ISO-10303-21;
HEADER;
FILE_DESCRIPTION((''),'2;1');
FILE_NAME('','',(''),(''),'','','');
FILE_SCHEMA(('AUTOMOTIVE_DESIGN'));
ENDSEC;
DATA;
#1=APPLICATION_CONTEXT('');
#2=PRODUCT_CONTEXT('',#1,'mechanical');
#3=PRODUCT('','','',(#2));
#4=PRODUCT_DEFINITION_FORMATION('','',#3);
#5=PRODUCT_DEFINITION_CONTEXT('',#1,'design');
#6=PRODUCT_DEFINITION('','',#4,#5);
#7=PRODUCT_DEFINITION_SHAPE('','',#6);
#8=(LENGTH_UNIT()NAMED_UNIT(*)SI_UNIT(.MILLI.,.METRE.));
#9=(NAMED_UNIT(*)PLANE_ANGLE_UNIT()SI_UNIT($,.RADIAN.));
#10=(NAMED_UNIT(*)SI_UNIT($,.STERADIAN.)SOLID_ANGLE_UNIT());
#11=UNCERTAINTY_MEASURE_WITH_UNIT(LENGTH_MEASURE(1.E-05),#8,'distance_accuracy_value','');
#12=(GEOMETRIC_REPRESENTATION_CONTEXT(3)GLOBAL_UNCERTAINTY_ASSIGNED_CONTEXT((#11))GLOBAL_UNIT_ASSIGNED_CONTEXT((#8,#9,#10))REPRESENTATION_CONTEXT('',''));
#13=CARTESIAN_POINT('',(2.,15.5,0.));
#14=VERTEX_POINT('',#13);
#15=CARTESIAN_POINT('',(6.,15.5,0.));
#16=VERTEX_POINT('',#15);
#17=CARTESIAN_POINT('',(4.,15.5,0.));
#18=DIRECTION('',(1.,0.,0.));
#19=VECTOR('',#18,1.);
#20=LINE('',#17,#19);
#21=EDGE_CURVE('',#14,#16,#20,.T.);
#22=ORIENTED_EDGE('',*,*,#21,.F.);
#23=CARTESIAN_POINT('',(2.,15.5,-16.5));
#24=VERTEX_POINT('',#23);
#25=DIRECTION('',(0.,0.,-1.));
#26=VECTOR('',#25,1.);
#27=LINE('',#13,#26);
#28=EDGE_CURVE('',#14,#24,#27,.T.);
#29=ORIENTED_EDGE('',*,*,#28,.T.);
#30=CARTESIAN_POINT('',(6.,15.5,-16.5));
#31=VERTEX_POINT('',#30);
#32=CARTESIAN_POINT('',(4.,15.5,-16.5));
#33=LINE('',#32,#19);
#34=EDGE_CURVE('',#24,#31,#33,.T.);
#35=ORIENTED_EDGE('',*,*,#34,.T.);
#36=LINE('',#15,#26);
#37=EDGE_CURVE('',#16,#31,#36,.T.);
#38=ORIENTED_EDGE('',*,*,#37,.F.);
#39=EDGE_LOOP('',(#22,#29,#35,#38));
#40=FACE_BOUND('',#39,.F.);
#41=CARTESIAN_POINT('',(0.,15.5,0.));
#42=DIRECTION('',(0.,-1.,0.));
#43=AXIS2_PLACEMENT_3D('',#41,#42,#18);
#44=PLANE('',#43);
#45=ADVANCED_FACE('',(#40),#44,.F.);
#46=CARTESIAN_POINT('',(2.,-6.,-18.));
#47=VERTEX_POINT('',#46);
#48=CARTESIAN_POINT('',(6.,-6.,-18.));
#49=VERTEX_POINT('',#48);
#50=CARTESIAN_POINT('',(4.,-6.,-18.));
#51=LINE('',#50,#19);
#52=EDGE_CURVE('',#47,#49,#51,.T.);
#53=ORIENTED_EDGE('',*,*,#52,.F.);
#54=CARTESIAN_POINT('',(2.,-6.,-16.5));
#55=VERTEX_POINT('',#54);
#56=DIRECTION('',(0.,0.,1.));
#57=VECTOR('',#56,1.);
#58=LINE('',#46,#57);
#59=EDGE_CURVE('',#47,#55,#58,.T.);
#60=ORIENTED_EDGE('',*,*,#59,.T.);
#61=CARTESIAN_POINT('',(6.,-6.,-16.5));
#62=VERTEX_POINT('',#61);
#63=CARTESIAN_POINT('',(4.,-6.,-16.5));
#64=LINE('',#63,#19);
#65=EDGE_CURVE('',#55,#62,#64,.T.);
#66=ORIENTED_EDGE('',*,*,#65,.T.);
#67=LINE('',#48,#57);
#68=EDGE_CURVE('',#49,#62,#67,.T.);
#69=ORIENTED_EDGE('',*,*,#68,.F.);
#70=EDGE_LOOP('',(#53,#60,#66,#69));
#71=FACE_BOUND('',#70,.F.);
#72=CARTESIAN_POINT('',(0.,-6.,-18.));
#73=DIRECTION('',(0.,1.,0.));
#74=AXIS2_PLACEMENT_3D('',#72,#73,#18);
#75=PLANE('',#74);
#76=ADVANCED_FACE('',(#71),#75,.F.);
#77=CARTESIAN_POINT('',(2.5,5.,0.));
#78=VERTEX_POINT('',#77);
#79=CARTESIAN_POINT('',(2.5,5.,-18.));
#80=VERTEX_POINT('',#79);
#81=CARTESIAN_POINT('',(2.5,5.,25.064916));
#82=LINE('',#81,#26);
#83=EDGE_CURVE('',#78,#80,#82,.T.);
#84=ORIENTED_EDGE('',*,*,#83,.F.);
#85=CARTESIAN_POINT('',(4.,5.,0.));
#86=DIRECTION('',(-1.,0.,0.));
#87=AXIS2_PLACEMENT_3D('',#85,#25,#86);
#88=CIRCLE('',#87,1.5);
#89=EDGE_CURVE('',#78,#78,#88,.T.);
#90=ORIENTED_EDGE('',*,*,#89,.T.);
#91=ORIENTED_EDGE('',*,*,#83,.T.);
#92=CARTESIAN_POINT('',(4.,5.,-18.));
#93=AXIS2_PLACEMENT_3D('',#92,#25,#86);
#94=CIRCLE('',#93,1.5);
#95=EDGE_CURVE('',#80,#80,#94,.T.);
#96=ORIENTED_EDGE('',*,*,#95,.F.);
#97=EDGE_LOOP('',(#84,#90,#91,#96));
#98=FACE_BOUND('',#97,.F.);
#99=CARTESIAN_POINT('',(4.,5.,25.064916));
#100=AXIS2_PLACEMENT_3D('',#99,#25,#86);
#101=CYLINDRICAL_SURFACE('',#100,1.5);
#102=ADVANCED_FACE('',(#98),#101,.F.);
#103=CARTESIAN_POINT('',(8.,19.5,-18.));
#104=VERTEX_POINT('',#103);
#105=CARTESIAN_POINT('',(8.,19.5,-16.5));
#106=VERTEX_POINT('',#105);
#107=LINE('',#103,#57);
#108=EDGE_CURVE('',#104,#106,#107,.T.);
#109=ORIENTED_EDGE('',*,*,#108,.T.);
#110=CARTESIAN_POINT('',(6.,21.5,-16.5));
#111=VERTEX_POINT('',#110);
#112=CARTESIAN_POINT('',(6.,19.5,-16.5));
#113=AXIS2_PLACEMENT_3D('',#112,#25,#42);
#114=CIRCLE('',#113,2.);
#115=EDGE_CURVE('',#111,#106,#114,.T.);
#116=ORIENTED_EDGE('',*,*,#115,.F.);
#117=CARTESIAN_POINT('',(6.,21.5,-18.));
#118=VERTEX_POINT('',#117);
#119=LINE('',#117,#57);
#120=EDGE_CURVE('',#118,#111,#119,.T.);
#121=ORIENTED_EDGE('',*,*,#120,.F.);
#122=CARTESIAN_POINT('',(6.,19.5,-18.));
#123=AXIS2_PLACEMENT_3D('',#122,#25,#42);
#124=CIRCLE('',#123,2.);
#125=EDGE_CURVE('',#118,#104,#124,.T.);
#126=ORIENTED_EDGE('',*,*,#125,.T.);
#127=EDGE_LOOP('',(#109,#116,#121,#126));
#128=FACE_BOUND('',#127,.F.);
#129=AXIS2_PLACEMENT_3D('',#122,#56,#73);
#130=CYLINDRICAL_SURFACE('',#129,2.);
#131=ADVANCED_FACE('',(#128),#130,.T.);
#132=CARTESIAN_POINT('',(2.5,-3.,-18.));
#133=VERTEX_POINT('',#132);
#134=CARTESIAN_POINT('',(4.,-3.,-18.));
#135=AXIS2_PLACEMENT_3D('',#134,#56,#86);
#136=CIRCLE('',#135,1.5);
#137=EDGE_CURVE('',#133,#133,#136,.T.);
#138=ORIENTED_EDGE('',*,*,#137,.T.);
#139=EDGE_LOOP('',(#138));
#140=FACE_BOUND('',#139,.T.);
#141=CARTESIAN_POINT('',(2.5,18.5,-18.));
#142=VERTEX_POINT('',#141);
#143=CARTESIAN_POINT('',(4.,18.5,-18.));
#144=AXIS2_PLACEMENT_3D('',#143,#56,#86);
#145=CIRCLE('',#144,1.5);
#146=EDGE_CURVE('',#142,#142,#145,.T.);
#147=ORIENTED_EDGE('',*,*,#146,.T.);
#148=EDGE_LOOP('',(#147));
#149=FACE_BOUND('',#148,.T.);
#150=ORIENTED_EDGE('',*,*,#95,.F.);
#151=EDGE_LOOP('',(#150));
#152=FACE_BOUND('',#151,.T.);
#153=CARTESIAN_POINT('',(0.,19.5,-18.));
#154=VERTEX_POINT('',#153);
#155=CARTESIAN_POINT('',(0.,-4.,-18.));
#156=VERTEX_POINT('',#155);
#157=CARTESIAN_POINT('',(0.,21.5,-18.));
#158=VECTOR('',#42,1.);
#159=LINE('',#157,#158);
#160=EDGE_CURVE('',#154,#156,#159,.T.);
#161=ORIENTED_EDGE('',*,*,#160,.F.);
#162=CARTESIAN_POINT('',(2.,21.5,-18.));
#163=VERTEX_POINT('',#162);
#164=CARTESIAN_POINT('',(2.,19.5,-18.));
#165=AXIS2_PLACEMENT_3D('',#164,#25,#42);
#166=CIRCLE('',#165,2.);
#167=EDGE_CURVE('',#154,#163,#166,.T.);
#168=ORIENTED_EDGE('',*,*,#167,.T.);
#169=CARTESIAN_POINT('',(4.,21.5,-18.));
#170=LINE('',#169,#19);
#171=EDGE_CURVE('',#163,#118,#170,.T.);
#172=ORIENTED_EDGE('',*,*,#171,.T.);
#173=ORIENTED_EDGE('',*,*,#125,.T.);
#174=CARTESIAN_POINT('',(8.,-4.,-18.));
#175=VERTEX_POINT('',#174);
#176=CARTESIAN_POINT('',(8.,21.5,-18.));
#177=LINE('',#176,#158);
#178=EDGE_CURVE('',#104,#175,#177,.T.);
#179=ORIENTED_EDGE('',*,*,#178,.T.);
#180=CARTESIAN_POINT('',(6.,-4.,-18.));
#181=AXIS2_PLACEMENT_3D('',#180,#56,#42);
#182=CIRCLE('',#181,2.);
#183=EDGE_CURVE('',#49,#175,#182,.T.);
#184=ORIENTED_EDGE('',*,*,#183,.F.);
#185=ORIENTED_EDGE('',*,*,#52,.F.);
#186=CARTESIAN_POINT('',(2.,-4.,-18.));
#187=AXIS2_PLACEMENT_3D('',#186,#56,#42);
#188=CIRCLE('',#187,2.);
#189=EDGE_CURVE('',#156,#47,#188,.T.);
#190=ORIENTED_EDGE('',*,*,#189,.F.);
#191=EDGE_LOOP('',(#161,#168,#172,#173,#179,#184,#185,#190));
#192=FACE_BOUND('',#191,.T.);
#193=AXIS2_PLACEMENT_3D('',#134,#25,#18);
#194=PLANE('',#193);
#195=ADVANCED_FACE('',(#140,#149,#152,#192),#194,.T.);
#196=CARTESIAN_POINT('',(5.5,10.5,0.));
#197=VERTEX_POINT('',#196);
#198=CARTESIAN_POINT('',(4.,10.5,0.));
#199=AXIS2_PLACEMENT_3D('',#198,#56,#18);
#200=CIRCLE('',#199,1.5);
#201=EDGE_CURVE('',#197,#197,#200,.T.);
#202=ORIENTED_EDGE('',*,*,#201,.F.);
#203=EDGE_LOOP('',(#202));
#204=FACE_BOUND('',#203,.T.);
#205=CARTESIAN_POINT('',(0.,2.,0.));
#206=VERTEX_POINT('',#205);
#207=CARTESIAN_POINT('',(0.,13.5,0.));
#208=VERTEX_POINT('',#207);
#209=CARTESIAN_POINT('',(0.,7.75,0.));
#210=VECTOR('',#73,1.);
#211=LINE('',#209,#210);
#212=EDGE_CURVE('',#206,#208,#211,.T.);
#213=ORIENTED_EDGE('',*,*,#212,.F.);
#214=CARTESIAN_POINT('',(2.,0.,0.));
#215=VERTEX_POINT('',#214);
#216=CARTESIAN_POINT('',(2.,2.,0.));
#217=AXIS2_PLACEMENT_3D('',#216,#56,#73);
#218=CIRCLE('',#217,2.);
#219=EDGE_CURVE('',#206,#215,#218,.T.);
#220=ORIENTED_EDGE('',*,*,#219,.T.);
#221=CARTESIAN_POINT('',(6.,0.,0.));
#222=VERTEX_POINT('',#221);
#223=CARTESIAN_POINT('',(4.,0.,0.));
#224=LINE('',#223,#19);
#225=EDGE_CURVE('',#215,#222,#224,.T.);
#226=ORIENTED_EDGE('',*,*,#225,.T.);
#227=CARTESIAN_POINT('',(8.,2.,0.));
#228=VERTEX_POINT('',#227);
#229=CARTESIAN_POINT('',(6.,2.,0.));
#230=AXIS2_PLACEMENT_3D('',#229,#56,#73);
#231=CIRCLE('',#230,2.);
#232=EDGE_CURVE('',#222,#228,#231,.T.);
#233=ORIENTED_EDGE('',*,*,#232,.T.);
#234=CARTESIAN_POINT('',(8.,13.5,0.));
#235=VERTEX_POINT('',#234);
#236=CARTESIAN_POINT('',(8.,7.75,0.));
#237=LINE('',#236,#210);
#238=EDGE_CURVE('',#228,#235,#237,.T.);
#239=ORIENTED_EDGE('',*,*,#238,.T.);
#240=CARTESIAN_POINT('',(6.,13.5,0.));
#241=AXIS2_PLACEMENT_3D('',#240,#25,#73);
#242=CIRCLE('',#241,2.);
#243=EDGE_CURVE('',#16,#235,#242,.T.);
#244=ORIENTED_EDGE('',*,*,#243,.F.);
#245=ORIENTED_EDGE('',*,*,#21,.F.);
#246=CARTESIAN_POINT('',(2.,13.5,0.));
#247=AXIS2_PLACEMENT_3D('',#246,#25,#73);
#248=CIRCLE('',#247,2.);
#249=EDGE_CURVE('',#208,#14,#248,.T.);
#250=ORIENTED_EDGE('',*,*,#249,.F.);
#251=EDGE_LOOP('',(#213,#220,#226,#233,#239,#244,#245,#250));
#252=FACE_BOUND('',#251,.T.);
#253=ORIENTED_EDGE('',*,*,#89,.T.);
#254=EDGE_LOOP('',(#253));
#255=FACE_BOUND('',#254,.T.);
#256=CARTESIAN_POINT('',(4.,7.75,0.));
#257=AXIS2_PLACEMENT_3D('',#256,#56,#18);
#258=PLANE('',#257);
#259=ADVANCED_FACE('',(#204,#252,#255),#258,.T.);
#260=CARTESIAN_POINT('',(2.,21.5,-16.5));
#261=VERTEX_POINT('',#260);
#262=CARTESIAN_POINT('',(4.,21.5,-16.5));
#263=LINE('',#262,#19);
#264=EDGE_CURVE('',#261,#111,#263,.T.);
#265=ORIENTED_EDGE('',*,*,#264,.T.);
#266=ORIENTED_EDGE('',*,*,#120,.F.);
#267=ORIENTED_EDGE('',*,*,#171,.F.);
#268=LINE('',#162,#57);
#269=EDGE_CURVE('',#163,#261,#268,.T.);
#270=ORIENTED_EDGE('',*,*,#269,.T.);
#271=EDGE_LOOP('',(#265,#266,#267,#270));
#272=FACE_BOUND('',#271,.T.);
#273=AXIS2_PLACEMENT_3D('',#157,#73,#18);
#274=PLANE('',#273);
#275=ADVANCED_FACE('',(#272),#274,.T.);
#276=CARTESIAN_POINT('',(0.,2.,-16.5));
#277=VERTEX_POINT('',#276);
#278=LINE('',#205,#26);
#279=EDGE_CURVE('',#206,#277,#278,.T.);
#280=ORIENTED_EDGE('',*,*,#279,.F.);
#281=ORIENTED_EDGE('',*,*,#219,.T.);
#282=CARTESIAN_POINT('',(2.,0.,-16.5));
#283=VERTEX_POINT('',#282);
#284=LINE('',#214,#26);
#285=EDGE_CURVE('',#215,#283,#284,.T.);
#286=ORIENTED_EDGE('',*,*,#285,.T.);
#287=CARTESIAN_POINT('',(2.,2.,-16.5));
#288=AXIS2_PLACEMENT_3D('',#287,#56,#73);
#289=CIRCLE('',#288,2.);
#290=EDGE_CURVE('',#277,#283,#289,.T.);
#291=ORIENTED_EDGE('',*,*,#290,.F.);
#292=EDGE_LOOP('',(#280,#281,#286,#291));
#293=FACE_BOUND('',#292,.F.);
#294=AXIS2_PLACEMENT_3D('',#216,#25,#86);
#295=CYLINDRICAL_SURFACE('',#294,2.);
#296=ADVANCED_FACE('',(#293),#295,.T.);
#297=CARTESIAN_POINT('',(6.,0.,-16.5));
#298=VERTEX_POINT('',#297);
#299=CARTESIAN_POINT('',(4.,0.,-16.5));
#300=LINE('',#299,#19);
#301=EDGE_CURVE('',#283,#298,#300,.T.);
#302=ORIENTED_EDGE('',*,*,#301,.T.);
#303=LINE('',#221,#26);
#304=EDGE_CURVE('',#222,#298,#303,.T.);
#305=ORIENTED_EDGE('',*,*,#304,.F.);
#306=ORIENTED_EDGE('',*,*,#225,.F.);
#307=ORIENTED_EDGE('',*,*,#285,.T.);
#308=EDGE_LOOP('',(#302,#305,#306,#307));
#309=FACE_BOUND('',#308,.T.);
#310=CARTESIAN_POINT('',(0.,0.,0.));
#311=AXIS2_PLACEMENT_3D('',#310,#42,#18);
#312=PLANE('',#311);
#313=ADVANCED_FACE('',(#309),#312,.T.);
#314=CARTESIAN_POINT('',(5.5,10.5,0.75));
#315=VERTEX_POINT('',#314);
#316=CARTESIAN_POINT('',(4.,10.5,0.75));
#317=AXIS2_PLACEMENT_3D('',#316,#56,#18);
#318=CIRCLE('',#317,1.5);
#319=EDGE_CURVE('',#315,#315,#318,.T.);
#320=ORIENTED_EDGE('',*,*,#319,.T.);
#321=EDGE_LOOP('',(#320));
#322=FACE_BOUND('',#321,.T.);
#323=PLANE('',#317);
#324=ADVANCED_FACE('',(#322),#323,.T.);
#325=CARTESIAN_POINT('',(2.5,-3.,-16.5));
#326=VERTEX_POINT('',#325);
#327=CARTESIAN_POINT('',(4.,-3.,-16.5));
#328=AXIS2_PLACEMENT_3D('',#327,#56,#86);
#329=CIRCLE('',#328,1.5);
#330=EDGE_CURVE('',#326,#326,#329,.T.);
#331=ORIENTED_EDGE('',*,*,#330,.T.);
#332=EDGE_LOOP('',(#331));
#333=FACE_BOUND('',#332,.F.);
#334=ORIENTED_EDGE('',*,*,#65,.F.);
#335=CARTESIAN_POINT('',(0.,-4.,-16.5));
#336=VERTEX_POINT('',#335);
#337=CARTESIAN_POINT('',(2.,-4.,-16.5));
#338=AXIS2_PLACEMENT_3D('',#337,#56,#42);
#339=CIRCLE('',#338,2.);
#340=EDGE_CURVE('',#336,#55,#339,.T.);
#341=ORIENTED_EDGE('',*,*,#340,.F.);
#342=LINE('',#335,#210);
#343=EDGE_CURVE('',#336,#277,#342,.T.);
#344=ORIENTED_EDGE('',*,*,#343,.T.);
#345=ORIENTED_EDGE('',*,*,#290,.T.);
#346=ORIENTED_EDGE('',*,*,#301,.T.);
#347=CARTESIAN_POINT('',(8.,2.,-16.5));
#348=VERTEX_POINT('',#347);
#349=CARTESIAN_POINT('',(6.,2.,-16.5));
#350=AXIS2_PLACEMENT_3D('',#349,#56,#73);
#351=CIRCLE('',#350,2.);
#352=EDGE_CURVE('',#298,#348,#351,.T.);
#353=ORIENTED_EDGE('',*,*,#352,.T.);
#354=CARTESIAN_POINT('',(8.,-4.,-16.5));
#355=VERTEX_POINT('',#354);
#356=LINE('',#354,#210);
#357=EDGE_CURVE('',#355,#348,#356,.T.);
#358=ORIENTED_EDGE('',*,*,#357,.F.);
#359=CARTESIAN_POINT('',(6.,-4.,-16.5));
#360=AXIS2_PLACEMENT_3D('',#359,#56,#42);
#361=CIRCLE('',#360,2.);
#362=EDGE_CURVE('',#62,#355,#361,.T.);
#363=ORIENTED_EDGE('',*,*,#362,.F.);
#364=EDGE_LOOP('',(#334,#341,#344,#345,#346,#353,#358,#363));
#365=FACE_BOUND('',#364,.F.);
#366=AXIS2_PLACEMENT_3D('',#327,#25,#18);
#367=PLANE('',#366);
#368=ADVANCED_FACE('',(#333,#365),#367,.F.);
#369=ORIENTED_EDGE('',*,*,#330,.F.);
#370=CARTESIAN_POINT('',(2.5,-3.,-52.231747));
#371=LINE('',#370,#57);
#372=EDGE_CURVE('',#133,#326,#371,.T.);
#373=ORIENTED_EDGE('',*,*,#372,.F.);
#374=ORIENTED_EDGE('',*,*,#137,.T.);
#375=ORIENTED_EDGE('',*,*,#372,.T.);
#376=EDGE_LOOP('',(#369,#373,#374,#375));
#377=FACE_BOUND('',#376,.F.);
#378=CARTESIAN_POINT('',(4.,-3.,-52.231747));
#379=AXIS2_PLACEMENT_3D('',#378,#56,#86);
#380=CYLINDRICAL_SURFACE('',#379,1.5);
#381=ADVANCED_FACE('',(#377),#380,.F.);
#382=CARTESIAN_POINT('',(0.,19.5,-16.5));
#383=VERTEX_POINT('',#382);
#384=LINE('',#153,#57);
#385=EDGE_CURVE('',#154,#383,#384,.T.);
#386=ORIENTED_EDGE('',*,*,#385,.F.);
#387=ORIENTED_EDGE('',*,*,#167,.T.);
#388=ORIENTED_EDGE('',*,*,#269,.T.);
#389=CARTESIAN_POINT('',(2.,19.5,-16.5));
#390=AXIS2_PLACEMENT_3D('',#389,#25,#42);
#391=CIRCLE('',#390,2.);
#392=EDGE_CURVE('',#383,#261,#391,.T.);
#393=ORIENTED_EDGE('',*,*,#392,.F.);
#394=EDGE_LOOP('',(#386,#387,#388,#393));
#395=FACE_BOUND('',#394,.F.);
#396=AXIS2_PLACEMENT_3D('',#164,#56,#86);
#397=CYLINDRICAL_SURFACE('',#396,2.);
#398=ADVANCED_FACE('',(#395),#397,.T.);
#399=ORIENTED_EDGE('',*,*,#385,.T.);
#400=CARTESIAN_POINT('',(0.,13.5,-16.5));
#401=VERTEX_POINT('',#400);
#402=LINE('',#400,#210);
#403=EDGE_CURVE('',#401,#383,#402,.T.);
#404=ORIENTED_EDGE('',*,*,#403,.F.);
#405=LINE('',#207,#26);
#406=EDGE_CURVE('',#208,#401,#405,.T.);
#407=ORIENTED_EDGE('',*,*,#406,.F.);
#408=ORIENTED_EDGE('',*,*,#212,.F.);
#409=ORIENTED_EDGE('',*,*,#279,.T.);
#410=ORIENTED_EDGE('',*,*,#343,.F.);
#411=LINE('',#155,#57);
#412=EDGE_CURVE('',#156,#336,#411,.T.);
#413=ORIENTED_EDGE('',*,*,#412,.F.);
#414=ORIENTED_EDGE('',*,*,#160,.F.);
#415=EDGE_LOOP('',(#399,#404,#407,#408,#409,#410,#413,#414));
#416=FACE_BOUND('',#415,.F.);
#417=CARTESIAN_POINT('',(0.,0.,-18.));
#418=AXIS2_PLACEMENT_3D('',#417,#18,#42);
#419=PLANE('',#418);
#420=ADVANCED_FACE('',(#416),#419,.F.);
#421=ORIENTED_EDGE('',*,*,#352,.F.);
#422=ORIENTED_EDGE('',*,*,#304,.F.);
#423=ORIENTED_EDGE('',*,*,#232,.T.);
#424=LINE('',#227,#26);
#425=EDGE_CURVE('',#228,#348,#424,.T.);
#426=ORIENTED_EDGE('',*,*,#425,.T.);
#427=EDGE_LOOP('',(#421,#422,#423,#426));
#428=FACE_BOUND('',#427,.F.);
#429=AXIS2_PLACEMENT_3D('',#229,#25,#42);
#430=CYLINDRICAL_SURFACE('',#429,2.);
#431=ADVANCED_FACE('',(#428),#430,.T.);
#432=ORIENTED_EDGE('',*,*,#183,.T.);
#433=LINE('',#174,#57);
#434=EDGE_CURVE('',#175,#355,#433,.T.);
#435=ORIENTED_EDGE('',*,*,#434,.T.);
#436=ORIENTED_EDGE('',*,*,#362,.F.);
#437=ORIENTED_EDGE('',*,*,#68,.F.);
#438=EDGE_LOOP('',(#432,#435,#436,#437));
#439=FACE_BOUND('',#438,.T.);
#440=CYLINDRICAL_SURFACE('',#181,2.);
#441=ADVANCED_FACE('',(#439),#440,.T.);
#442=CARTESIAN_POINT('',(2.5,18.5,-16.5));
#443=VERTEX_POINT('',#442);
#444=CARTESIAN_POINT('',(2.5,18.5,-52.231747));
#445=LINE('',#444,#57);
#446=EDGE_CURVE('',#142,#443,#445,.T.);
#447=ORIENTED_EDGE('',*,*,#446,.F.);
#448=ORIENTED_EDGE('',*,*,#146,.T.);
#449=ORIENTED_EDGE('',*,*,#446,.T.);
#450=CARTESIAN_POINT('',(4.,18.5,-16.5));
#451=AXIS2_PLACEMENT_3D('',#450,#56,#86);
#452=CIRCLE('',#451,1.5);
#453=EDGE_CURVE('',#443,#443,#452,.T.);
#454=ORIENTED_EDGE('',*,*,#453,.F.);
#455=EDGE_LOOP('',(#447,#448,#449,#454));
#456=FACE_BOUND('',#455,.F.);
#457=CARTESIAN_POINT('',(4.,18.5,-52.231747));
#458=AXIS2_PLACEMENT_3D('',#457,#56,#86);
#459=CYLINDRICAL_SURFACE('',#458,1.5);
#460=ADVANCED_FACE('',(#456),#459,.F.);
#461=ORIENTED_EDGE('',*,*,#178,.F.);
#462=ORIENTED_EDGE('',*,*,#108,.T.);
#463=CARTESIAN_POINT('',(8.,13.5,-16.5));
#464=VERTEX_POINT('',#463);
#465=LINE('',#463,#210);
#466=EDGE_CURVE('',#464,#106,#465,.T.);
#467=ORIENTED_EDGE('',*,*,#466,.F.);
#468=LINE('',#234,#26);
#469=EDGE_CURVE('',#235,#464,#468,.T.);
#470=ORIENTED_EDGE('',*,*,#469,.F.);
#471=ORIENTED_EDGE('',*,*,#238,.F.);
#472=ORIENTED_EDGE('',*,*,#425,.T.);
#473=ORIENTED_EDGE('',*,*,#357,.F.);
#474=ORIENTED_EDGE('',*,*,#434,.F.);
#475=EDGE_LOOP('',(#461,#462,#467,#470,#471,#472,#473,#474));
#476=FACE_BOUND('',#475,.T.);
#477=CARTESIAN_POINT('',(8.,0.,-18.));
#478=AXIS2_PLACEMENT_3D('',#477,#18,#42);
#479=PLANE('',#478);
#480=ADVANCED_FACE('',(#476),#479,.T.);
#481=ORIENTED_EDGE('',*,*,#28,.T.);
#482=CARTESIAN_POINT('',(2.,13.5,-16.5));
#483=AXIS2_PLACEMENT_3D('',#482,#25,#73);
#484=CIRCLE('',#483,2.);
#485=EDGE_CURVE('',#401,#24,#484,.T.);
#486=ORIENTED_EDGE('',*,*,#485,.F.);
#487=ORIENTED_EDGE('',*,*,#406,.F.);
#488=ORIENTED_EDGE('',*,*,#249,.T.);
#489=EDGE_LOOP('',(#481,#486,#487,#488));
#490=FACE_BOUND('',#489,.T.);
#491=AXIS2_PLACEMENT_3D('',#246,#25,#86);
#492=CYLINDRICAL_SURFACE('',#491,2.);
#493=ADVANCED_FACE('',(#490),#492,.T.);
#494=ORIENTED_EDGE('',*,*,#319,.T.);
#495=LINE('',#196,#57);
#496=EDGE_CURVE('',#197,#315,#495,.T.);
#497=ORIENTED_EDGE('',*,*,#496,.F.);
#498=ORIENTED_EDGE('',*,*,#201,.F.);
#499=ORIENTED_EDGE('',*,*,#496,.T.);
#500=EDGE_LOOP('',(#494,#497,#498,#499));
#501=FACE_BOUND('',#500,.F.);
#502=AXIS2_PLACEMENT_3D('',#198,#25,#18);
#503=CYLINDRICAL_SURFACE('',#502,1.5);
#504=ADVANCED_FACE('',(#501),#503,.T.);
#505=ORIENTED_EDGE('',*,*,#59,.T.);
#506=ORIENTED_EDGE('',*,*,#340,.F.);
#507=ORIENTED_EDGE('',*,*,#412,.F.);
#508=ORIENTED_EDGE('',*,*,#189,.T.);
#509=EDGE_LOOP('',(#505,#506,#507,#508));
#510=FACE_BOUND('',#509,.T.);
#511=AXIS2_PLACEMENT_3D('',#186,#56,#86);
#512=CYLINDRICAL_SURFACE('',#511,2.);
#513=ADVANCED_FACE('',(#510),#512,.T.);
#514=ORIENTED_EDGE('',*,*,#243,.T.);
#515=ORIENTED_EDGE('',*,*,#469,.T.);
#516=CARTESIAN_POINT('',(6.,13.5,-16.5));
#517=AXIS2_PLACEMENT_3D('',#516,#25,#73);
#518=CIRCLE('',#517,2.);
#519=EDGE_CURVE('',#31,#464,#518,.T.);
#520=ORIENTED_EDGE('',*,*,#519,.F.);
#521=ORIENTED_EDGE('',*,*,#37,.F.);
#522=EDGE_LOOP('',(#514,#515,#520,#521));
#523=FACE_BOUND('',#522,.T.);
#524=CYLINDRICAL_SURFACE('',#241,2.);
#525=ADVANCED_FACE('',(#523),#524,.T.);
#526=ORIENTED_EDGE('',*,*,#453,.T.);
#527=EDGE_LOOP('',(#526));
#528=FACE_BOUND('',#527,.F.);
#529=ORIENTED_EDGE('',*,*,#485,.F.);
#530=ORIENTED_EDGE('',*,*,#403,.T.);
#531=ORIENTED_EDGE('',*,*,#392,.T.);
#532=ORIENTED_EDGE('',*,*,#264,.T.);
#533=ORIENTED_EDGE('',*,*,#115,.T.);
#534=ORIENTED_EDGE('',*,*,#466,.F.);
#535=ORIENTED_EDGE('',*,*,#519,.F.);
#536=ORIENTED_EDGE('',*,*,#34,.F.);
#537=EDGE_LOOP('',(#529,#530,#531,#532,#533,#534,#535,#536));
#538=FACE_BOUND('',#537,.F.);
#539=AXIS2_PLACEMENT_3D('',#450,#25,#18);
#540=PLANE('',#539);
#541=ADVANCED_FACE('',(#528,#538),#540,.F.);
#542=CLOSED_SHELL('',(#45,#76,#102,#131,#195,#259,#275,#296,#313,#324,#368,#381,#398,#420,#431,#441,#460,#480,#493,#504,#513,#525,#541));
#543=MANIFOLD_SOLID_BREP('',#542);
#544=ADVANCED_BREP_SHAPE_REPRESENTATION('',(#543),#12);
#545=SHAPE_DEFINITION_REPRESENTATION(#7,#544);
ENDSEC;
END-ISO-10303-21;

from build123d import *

# Parameters (mm, degrees)
F0_W     = 8
F0_H     = 15.5
F0_R     = 1.5
F1_DEPTH = 18
F2_D     = 3
F3_DEPTH = 0.75
F4_W     = 8
F4_H     = 6
F5_DEPTH = 1.5
F6_D     = 3
F7_R     = 2


with BuildPart() as f1:
    # F0 (on Top) → F1 (new body)
    with BuildSketch(Plane.XY):
        with Locations((4, 7.75)):
            Rectangle(F0_W, F0_H)
        with Locations((4, 10.5)):
            Circle(F0_R, mode=Mode.SUBTRACT)
        with Locations((4, 10.5)):
            Circle(F0_R)
    extrude(amount=-F1_DEPTH)

    # F2 (through all)
    with Locations(Plane.XY):
        with Locations((4, 5)):
            Hole(F2_D / 2)

    # F0 (on Top) → F3 (join)
    with BuildSketch(Plane.XY):
        with Locations((4, 10.5)):
            Circle(F0_R)
    extrude(amount=F3_DEPTH)

    # F4 (on face) → F5 (join)
    with BuildSketch(Plane(origin=(0, 0, -18), x_dir=(1, 0, 0), z_dir=(0, 0, -1))):
        with Locations((4, 3)):
            Rectangle(F4_W, F4_H)
        with Locations((4, -18.5)):
            Rectangle(F4_W, F4_H)
    extrude(amount=-F5_DEPTH)

    # F6 (through all)
    with Locations(Plane(origin=(0, 0, -18), x_dir=(1, 0, 0), z_dir=(0, 0, -1))):
        with Locations((4, 3), (4, -18.5)):
            Hole(F6_D / 2)

    # F7
    f7_edges = [f1.edges().sort_by_distance(p)[0] for p in [
        (0, 0, -8.25),
        (8, 0, -8.25),
        (8, 15.5, -8.25),
        (0, 15.5, -8.25),
        (8, -6, -17.25),
        (0, -6, -17.25),
        (8, 21.5, -17.25),
        (0, 21.5, -17.25),
    ]]
    fillet(f7_edges, radius=F7_R)


solid = f1.part
